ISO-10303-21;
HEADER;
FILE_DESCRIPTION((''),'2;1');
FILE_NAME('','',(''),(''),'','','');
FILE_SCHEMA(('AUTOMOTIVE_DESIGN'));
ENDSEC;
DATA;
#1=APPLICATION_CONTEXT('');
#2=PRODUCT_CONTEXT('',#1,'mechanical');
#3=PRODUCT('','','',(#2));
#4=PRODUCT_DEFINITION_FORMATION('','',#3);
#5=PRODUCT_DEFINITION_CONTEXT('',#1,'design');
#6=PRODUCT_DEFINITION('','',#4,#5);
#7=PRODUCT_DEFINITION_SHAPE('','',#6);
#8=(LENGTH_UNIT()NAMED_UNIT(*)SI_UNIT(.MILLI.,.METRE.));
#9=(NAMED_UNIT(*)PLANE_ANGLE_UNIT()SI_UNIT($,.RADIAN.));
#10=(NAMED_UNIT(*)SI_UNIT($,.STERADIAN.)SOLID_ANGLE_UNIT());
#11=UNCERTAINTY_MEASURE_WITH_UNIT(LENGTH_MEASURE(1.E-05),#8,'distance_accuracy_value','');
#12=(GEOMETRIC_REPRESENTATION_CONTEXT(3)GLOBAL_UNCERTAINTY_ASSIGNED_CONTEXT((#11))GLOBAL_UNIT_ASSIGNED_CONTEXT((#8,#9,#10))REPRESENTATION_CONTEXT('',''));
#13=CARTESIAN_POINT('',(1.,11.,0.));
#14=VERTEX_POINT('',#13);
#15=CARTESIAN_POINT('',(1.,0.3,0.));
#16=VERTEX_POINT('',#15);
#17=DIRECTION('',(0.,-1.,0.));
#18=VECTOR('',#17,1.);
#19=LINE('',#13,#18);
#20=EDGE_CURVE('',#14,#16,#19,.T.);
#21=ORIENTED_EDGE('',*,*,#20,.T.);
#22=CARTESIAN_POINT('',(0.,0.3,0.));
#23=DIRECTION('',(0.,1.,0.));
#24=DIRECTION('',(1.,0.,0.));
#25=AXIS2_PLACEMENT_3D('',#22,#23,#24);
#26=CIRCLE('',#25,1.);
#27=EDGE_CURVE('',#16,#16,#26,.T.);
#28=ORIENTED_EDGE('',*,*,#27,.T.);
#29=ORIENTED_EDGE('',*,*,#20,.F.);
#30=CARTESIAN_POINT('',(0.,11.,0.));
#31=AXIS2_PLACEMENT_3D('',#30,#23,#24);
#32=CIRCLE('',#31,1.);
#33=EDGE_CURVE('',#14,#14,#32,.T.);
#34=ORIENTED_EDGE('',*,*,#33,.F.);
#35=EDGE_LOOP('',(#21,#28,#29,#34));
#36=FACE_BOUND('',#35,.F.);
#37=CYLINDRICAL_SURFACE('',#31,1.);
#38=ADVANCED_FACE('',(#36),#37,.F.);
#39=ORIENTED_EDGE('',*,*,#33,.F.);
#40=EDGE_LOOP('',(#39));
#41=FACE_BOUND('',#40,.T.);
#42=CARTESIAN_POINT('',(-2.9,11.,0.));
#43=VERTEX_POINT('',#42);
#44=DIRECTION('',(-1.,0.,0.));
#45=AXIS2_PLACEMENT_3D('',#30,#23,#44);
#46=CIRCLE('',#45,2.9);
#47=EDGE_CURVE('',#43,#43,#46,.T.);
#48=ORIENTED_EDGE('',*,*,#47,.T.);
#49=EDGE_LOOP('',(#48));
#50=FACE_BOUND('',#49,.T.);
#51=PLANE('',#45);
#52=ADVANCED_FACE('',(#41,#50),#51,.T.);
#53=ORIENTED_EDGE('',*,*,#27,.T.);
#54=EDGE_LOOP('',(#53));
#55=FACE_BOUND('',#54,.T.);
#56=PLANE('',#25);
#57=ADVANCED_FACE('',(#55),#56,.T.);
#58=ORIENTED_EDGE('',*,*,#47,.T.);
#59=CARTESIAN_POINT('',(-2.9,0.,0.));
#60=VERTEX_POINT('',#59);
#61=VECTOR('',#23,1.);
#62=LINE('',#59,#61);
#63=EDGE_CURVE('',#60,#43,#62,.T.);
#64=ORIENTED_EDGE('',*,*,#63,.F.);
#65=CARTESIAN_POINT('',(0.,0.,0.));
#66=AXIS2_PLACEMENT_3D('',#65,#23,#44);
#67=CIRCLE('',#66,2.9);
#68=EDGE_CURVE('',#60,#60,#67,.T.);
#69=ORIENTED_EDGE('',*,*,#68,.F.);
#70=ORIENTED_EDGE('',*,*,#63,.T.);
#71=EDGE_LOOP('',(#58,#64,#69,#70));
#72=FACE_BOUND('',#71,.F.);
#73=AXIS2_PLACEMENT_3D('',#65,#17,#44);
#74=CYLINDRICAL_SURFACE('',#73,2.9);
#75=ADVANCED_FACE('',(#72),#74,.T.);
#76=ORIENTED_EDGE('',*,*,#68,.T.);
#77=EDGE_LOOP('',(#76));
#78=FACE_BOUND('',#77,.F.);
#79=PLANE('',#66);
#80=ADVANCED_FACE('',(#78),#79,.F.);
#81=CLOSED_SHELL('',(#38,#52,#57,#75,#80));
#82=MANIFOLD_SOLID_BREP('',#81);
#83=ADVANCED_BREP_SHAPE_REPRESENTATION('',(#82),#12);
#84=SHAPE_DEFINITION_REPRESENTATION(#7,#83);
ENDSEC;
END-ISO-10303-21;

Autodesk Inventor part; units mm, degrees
ref_plane "YZ Plane" through (0, 0, 0) normal (1, 0, 0) x (0, 1, 0)
ref_plane "XZ Plane" through (0, 0, 0) normal (0, 1, 0) x (-1, 0, 0)
ref_plane "XY Plane" through (0, 0, 0) normal (0, 0, 1) x (1, 0, 0)
sketch "Sketch1" plane through (0, 0, 0) normal (0, 1, 0) x (-1, 0, 0)
  circle A0 centre (0, 0) radius 2.9
  dimension "d0" = 5.8
extrude "Extrusion1" add sketch "Sketch1" along normal blind 11
sketch "Sketch2" plane through (0, 11, 0) normal (0, 1, 0) x (1, 0, 0)
  circle A0 centre (0, 0) radius 1
  dimension "d3" = 2
extrude "Extrusion2" cut sketch "Sketch2" against normal blind 10.7
properties part number "encoder_insert_2to6_3DPrint"
